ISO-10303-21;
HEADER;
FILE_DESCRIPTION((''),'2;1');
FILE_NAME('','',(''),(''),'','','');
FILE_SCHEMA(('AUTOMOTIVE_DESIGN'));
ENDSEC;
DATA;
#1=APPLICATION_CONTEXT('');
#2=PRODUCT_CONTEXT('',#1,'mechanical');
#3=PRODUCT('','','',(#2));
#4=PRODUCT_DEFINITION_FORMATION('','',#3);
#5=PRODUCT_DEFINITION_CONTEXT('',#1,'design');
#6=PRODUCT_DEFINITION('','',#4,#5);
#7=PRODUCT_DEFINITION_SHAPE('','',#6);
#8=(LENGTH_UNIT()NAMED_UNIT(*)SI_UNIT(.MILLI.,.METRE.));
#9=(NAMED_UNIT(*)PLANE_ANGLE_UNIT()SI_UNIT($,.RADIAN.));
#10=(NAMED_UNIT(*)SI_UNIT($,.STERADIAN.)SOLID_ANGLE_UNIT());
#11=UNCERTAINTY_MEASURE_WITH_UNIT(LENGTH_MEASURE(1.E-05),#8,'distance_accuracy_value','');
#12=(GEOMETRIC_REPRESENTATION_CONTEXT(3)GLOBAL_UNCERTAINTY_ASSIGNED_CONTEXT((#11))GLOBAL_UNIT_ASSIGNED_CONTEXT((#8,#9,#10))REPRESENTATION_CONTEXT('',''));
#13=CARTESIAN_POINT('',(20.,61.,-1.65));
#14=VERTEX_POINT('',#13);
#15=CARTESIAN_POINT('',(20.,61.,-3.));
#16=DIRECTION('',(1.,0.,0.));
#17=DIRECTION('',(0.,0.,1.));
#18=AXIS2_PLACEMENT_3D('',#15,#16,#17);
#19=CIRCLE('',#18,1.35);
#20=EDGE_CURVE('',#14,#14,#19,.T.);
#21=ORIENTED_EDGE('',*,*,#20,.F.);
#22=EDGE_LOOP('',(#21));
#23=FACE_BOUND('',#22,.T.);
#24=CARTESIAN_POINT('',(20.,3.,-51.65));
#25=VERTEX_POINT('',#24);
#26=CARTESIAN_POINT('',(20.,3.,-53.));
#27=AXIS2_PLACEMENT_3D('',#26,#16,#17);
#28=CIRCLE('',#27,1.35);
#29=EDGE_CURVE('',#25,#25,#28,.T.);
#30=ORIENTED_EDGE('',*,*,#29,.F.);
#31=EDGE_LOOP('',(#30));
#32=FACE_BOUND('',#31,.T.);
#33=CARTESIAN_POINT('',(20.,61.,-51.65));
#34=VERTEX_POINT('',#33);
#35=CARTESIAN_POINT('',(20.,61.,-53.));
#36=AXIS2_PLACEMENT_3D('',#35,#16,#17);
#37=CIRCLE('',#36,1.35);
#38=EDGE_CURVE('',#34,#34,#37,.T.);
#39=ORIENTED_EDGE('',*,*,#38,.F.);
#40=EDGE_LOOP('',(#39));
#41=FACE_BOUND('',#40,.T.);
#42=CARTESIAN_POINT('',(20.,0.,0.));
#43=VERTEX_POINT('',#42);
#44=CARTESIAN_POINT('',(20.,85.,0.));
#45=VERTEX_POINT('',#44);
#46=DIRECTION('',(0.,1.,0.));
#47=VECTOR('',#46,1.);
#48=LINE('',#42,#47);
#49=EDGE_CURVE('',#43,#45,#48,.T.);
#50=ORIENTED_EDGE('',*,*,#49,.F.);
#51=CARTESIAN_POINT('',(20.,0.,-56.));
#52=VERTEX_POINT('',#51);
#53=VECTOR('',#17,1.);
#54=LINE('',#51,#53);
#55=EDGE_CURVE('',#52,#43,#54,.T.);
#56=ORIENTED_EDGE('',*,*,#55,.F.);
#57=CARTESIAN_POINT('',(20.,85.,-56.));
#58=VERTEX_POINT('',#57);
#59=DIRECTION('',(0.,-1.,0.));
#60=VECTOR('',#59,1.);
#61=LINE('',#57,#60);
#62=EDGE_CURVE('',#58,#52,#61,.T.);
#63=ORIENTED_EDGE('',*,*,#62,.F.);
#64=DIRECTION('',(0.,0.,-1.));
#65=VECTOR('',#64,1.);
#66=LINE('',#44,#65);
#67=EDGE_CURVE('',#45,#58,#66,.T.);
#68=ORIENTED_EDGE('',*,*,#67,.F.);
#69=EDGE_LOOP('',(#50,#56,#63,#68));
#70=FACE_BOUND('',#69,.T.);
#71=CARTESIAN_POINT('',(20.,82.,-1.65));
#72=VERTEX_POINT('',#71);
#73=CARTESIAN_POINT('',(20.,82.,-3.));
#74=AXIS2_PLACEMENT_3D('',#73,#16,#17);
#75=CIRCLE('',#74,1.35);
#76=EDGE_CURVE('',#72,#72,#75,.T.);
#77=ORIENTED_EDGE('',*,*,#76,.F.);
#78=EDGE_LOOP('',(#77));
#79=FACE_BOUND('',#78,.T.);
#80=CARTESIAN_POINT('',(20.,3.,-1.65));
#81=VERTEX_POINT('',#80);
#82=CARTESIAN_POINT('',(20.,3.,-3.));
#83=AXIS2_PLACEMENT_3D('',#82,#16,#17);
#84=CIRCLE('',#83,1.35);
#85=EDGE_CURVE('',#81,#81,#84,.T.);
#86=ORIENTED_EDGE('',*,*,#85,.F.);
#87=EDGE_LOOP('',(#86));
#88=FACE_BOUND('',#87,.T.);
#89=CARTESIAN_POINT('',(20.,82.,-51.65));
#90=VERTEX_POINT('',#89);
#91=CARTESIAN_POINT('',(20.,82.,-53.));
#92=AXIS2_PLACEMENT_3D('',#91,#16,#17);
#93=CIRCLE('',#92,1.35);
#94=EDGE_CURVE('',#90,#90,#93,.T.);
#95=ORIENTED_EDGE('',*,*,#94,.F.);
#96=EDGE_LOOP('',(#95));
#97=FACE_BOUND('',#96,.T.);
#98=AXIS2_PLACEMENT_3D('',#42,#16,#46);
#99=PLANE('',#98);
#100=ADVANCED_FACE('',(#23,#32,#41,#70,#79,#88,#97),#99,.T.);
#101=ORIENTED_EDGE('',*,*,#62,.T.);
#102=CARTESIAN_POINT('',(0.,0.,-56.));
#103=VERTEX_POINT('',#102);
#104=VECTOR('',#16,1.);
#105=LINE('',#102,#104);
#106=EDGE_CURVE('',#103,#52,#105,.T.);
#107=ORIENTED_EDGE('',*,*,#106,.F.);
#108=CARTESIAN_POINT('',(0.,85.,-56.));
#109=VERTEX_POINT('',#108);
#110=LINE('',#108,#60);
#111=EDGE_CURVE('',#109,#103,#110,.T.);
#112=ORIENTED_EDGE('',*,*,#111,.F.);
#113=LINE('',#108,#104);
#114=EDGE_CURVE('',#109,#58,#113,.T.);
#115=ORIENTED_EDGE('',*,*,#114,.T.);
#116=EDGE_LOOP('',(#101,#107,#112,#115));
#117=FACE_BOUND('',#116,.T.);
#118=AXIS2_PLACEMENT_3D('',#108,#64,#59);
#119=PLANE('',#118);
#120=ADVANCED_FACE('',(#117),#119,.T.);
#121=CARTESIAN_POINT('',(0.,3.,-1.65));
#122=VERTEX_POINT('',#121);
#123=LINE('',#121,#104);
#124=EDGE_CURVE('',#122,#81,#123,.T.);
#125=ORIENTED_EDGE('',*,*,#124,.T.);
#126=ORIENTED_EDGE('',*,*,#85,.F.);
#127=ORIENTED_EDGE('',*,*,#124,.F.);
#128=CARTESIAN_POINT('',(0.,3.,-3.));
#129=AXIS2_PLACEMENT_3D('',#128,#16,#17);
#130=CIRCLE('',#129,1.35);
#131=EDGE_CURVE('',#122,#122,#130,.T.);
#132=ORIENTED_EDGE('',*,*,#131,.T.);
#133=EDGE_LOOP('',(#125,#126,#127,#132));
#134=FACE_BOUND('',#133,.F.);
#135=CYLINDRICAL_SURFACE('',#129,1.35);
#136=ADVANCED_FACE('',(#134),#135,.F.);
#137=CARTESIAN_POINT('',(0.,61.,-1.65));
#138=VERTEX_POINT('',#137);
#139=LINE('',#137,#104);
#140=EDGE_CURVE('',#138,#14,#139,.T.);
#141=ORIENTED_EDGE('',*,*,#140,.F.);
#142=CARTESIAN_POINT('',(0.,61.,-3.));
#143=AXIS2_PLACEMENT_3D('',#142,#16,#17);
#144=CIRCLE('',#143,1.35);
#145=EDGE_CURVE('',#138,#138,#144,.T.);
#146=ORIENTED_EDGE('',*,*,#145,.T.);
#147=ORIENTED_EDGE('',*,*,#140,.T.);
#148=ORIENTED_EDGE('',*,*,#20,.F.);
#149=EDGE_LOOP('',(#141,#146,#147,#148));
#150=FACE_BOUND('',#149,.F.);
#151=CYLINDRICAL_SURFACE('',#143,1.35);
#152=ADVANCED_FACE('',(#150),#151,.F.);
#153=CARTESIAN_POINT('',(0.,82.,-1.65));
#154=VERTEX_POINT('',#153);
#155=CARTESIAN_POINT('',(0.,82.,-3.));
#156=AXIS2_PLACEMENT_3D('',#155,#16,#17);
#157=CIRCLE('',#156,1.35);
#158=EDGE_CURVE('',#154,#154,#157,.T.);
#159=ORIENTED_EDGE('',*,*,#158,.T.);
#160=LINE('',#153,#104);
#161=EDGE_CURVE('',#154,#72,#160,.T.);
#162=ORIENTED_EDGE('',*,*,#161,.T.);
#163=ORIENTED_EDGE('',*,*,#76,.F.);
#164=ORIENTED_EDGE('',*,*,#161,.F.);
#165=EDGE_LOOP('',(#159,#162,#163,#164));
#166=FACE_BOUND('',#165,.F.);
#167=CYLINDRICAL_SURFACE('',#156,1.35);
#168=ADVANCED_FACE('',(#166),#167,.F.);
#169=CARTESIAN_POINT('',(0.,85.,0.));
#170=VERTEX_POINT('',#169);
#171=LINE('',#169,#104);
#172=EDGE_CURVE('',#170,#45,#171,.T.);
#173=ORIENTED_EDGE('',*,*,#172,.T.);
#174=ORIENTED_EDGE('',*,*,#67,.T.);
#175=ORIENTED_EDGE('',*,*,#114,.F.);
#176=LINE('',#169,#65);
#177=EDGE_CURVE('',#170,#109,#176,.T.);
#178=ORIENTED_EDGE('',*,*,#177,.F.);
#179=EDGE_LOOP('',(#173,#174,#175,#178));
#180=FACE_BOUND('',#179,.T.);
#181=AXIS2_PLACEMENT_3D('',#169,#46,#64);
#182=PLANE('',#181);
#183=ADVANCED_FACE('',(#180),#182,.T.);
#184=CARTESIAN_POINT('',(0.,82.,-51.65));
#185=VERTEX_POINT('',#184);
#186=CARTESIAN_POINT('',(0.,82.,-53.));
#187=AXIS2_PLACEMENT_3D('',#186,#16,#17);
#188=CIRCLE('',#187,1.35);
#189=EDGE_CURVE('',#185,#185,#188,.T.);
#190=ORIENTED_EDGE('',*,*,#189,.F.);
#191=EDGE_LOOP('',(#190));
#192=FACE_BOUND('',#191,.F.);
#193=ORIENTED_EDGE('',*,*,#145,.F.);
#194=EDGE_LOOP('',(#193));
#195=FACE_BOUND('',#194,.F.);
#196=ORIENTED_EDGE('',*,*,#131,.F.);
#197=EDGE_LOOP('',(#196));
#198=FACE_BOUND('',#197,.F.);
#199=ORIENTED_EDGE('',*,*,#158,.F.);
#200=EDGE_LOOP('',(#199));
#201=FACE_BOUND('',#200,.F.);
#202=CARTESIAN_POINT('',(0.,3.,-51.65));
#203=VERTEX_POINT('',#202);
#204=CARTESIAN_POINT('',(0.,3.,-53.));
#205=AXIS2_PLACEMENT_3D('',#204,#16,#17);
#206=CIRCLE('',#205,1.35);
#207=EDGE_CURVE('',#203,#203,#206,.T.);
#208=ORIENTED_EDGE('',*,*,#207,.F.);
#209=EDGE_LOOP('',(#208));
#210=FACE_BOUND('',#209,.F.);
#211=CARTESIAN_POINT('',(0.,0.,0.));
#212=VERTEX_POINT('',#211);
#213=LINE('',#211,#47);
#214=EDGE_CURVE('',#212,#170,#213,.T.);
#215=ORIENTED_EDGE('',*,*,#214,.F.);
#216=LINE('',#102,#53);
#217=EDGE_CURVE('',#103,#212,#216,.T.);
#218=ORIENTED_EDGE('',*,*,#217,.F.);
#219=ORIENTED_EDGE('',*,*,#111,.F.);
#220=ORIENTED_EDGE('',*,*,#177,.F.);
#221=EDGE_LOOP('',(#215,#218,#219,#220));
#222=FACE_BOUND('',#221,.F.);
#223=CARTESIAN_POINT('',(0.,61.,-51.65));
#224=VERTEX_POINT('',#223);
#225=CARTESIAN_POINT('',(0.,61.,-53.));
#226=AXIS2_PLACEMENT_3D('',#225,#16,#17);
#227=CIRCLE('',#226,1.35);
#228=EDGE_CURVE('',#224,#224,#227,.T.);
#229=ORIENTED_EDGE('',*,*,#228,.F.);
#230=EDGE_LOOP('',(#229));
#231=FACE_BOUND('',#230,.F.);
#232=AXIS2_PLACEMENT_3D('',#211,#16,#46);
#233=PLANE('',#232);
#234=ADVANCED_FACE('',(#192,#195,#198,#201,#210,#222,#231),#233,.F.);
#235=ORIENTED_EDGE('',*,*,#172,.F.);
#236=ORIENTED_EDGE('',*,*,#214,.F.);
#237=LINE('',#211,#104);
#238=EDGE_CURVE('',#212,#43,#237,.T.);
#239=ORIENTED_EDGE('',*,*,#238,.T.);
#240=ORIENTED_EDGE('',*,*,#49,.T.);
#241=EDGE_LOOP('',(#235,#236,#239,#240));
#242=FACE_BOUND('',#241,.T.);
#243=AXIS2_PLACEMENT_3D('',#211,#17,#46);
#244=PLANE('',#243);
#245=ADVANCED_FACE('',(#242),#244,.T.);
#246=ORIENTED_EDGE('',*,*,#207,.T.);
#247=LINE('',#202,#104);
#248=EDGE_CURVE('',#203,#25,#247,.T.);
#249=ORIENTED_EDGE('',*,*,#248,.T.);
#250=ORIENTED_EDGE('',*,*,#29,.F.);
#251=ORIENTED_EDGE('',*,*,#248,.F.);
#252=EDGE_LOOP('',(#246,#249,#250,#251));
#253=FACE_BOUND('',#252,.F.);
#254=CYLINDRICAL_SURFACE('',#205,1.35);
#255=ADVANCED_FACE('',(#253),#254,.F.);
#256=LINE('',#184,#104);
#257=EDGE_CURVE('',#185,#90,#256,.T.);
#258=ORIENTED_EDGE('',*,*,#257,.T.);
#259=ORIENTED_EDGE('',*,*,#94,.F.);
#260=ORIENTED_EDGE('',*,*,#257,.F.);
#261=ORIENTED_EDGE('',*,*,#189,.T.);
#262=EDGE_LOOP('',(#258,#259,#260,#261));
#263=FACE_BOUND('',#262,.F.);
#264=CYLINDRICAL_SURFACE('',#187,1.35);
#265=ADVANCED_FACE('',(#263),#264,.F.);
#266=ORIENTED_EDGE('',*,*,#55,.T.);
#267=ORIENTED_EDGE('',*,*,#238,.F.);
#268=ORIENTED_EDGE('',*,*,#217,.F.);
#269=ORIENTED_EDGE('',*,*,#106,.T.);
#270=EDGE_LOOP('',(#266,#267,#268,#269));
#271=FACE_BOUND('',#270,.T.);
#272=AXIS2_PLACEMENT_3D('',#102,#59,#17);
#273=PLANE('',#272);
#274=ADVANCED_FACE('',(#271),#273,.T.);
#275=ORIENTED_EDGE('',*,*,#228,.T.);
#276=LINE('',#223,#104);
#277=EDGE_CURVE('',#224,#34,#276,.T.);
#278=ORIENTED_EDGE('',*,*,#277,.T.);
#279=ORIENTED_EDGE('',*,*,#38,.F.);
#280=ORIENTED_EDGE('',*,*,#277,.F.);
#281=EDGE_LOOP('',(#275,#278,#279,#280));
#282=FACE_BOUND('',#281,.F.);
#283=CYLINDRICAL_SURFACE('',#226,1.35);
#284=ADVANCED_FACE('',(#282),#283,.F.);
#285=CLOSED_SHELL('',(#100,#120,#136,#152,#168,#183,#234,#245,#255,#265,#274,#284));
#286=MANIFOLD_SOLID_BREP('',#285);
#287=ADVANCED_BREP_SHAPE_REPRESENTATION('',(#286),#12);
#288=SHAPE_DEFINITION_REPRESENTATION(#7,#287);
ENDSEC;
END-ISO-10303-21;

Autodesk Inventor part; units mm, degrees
ref_plane "YZ Plane" through (0, 0, 0) normal (1, 0, 0) x (0, 1, 0)
ref_plane "XZ Plane" through (0, 0, 0) normal (0, 1, 0) x (-1, 0, 0)
ref_plane "XY Plane" through (0, 0, 0) normal (0, 0, 1) x (1, 0, 0)
sketch "Sketch1" plane through (0, 0, 0) normal (1, 0, 0) x (0, 1, 0)
  line L0 (0, 0) -> (85, 0)
  line L1 (85, 0) -> (85, -56)
  line L2 (85, -56) -> (0, -56)
  line L3 (0, -56) -> (0, 0)
  dimension "d0" = 85
  dimension "d1" = 56
extrude "Extrusion1" add sketch "Sketch1" along normal blind 20
sketch "Sketch2" plane through (0, 0, 0) normal (-1, 0, 0) x (0, 0, 1)
  line L0 (-3, 82) -> (-53, 82)
  line L1 (-53, 82) -> (-53, 3)
  line L2 (-53, 3) -> (-3, 3)
  line L3 (-3, 3) -> (-3, 82)
  line L4 (0, 0) -> (-56, 0) projected
  line L5 (0, 85) -> (0, 0) projected
  line L6 (-56, 85) -> (0, 85) projected
  line L7 (-56, 0) -> (-56, 85) projected
  line L8 (-53, 61) -> (-3, 61)
  dimension "d4" = 3
  dimension "d5" = 3
  dimension "d6" = 3
  dimension "d7" = 3
  dimension "d36" = 58
hole "Hole1" at (0, 3, -53) direction (1, 0, 0) diameter 2.7 depth 20
hole "Hole2" at (0, 3, -3) direction (1, 0, 0) diameter 2.7 depth 20
hole "Hole3" at (0, 82, -3) direction (1, 0, 0) diameter 2.7 depth 20
hole "Hole4" at (0, 82, -53) direction (1, 0, 0) diameter 2.7 depth 20
hole "Hole5" at (0, 61, -53) direction (1, 0, 0) diameter 2.7 depth 20
hole "Hole6" at (0, 61, -3) direction (1, 0, 0) diameter 2.7 depth 20
properties part number "raspi" material "Polypropylene"
